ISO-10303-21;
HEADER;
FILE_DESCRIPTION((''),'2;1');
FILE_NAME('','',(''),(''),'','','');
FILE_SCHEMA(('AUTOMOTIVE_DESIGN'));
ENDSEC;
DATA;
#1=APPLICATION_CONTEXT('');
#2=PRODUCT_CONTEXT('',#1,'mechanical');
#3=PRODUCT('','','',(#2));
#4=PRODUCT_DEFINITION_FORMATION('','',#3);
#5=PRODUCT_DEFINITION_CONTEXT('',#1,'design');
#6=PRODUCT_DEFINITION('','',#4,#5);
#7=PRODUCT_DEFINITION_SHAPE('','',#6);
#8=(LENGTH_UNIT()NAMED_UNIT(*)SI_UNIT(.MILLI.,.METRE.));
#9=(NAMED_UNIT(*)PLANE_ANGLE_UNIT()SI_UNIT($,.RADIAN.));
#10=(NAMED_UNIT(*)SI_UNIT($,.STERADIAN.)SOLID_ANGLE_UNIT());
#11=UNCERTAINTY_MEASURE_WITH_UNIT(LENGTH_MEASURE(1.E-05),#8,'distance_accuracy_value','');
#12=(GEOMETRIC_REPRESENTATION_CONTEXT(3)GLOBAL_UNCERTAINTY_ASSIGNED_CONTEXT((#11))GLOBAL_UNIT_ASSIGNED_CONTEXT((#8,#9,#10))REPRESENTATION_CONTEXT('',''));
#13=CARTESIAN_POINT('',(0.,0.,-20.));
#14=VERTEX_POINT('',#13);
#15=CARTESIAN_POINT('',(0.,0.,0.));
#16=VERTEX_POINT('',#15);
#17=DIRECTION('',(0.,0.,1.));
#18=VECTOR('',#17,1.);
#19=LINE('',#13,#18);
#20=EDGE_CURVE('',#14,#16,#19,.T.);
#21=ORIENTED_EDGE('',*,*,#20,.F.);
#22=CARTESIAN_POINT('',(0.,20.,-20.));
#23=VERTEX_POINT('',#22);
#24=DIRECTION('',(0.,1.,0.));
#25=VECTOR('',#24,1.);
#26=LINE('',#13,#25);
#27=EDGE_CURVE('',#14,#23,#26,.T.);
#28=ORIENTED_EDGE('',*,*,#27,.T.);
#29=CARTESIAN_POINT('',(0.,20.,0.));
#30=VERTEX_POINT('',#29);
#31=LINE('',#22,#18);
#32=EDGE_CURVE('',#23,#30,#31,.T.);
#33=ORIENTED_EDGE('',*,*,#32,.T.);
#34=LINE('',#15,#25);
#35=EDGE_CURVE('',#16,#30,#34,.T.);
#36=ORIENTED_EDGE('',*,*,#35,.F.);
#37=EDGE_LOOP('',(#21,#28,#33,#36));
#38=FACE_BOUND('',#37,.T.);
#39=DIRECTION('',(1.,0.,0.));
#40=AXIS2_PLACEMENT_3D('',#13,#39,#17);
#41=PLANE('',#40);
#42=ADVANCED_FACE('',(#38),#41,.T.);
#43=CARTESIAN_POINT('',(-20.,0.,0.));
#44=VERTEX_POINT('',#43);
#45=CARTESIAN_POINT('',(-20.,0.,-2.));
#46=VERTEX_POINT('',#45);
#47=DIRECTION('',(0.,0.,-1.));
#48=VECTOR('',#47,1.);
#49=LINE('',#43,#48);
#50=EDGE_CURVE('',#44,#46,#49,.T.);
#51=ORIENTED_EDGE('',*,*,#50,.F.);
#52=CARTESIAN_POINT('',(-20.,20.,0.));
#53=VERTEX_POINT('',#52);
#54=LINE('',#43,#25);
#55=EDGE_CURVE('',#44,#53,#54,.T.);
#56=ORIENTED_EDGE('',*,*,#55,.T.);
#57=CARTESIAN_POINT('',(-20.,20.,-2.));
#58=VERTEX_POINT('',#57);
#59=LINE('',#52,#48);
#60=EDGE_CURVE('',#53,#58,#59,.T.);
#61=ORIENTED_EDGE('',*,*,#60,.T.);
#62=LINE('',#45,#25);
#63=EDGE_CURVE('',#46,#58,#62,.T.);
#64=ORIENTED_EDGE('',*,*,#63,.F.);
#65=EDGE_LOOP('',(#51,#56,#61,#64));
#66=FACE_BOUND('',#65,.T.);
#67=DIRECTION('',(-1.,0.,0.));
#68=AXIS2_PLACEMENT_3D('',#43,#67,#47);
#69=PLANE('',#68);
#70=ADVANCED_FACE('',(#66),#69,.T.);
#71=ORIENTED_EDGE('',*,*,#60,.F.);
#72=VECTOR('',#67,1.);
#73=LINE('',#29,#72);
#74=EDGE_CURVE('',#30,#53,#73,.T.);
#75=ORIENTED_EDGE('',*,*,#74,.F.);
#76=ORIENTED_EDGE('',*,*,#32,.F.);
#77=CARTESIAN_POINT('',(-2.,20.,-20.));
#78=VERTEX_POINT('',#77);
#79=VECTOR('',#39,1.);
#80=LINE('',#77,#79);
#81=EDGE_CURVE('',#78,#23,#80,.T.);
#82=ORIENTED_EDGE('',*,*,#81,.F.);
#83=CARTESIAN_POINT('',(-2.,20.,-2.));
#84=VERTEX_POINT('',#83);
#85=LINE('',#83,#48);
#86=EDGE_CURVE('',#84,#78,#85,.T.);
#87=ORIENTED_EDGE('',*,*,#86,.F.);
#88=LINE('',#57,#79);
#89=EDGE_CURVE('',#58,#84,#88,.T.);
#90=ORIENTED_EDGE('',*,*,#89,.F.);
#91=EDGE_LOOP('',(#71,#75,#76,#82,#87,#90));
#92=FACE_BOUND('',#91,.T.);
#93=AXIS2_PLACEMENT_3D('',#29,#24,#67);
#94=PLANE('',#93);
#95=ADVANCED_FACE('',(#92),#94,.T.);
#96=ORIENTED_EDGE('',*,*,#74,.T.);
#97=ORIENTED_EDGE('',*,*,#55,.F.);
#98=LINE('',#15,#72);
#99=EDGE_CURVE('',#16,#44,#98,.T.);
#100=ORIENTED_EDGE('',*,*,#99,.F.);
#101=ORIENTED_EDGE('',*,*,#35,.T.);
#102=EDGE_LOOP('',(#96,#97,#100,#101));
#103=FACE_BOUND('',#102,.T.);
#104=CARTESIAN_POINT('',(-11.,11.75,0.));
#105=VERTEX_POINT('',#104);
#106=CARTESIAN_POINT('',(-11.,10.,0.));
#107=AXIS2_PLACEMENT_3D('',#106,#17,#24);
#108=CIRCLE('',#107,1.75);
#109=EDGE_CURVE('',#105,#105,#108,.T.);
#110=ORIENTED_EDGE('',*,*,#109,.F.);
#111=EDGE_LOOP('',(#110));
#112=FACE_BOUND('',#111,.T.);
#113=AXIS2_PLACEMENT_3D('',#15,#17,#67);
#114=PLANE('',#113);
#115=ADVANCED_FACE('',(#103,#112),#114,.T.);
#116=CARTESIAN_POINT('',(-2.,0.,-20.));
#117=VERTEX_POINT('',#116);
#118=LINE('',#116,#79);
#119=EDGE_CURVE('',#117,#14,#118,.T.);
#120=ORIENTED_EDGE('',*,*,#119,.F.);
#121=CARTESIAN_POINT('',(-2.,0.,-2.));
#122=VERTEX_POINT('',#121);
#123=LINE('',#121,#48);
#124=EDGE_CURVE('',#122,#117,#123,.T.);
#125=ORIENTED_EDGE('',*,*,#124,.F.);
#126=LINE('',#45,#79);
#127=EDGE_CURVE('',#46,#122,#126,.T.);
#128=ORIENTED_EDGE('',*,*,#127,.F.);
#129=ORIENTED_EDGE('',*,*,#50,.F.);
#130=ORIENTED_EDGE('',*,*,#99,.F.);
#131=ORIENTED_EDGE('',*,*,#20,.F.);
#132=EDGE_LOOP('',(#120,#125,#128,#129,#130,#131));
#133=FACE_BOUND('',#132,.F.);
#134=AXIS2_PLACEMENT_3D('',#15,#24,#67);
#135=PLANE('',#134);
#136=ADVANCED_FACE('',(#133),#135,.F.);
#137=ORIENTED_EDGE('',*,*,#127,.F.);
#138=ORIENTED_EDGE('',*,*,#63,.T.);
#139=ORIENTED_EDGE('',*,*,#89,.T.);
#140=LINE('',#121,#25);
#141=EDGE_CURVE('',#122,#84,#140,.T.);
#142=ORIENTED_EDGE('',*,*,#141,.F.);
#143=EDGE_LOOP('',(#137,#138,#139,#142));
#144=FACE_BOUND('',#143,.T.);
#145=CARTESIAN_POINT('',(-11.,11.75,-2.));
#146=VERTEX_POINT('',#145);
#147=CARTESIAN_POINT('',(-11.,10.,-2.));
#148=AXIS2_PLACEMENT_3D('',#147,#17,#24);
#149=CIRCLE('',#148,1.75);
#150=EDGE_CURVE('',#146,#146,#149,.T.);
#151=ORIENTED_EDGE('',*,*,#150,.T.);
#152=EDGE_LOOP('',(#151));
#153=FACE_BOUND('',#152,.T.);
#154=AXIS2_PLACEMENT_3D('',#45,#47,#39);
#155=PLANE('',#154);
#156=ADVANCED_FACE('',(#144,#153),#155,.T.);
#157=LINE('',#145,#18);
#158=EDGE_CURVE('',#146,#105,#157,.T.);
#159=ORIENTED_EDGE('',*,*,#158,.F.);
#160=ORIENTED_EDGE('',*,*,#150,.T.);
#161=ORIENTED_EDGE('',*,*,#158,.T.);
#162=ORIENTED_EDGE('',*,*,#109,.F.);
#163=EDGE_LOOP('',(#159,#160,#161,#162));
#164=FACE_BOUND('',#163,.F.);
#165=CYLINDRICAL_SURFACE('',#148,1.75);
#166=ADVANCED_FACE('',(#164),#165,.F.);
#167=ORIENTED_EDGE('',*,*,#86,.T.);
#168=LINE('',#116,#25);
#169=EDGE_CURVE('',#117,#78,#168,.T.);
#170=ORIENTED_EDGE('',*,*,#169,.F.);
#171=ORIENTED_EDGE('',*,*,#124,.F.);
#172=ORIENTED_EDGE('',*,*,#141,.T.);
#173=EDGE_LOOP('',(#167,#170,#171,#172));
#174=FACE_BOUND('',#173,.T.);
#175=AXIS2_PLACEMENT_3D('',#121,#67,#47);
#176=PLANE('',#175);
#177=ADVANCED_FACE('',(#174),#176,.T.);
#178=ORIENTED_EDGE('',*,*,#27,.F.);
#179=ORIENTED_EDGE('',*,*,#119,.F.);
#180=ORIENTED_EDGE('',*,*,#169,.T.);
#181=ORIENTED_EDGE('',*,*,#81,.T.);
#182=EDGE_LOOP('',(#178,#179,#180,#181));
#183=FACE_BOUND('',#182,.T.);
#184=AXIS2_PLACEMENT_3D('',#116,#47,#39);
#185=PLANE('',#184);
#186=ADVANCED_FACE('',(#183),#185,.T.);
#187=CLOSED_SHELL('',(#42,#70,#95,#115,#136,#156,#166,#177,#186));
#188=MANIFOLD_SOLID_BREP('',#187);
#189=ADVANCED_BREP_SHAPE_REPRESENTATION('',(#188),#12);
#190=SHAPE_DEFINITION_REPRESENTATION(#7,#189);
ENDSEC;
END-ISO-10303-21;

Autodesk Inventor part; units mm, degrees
ref_plane "YZ Plane" through (0, 0, 0) normal (1, 0, 0) x (0, 1, 0)
ref_plane "XZ Plane" through (0, 0, 0) normal (0, 1, 0) x (-1, 0, 0)
ref_plane "XY Plane" through (0, 0, 0) normal (0, 0, 1) x (1, 0, 0)
sketch "Szkic1" plane through (0, 0, 0) normal (0, 1, 0) x (-1, 0, 0)
  line L0 (0, 0) -> (20, 0)
  line L1 (0, -20) -> (0, 0)
  line L2 (20, 0) -> (20, -2)
  line L3 (20, -2) -> (2, -2)
  line L4 (2, -2) -> (2, -20)
  line L5 (2, -20) -> (0, -20)
  dimension "d2" = 2
  dimension "d3" = 18
  dimension "d4" = 20
  dimension "d5" = 18
  dimension "d6" = 2
extrude "Wyciągnięcie proste1" add sketch "Szkic1" along normal blind 20
sketch "Szkic2" plane through (-2, 0, -2) normal (0, 0, -1) x (-1, 0, 0)
  line L0 (18, 0) -> (0, 0) projected
  line L1 (18, 0) -> (18, 20) projected
  line L2 (0, 20) -> (18, 20) projected
  line L3 (0, 0) -> (0, 20) projected
  point P0 (-2, 0)
  point P1 (9, 10)
  dimension "d9" = 10
  dimension "d10" = 10
  dimension "d11" = 9
  dimension "d12" = 9
hole "Otwór1" at (-11, 10, -2) direction (0, 0, 1) diameter 3.5 end through all
equation "\"d9\" = d10"
equation "\"d11\" = d12"
properties part number "dociskacz"
